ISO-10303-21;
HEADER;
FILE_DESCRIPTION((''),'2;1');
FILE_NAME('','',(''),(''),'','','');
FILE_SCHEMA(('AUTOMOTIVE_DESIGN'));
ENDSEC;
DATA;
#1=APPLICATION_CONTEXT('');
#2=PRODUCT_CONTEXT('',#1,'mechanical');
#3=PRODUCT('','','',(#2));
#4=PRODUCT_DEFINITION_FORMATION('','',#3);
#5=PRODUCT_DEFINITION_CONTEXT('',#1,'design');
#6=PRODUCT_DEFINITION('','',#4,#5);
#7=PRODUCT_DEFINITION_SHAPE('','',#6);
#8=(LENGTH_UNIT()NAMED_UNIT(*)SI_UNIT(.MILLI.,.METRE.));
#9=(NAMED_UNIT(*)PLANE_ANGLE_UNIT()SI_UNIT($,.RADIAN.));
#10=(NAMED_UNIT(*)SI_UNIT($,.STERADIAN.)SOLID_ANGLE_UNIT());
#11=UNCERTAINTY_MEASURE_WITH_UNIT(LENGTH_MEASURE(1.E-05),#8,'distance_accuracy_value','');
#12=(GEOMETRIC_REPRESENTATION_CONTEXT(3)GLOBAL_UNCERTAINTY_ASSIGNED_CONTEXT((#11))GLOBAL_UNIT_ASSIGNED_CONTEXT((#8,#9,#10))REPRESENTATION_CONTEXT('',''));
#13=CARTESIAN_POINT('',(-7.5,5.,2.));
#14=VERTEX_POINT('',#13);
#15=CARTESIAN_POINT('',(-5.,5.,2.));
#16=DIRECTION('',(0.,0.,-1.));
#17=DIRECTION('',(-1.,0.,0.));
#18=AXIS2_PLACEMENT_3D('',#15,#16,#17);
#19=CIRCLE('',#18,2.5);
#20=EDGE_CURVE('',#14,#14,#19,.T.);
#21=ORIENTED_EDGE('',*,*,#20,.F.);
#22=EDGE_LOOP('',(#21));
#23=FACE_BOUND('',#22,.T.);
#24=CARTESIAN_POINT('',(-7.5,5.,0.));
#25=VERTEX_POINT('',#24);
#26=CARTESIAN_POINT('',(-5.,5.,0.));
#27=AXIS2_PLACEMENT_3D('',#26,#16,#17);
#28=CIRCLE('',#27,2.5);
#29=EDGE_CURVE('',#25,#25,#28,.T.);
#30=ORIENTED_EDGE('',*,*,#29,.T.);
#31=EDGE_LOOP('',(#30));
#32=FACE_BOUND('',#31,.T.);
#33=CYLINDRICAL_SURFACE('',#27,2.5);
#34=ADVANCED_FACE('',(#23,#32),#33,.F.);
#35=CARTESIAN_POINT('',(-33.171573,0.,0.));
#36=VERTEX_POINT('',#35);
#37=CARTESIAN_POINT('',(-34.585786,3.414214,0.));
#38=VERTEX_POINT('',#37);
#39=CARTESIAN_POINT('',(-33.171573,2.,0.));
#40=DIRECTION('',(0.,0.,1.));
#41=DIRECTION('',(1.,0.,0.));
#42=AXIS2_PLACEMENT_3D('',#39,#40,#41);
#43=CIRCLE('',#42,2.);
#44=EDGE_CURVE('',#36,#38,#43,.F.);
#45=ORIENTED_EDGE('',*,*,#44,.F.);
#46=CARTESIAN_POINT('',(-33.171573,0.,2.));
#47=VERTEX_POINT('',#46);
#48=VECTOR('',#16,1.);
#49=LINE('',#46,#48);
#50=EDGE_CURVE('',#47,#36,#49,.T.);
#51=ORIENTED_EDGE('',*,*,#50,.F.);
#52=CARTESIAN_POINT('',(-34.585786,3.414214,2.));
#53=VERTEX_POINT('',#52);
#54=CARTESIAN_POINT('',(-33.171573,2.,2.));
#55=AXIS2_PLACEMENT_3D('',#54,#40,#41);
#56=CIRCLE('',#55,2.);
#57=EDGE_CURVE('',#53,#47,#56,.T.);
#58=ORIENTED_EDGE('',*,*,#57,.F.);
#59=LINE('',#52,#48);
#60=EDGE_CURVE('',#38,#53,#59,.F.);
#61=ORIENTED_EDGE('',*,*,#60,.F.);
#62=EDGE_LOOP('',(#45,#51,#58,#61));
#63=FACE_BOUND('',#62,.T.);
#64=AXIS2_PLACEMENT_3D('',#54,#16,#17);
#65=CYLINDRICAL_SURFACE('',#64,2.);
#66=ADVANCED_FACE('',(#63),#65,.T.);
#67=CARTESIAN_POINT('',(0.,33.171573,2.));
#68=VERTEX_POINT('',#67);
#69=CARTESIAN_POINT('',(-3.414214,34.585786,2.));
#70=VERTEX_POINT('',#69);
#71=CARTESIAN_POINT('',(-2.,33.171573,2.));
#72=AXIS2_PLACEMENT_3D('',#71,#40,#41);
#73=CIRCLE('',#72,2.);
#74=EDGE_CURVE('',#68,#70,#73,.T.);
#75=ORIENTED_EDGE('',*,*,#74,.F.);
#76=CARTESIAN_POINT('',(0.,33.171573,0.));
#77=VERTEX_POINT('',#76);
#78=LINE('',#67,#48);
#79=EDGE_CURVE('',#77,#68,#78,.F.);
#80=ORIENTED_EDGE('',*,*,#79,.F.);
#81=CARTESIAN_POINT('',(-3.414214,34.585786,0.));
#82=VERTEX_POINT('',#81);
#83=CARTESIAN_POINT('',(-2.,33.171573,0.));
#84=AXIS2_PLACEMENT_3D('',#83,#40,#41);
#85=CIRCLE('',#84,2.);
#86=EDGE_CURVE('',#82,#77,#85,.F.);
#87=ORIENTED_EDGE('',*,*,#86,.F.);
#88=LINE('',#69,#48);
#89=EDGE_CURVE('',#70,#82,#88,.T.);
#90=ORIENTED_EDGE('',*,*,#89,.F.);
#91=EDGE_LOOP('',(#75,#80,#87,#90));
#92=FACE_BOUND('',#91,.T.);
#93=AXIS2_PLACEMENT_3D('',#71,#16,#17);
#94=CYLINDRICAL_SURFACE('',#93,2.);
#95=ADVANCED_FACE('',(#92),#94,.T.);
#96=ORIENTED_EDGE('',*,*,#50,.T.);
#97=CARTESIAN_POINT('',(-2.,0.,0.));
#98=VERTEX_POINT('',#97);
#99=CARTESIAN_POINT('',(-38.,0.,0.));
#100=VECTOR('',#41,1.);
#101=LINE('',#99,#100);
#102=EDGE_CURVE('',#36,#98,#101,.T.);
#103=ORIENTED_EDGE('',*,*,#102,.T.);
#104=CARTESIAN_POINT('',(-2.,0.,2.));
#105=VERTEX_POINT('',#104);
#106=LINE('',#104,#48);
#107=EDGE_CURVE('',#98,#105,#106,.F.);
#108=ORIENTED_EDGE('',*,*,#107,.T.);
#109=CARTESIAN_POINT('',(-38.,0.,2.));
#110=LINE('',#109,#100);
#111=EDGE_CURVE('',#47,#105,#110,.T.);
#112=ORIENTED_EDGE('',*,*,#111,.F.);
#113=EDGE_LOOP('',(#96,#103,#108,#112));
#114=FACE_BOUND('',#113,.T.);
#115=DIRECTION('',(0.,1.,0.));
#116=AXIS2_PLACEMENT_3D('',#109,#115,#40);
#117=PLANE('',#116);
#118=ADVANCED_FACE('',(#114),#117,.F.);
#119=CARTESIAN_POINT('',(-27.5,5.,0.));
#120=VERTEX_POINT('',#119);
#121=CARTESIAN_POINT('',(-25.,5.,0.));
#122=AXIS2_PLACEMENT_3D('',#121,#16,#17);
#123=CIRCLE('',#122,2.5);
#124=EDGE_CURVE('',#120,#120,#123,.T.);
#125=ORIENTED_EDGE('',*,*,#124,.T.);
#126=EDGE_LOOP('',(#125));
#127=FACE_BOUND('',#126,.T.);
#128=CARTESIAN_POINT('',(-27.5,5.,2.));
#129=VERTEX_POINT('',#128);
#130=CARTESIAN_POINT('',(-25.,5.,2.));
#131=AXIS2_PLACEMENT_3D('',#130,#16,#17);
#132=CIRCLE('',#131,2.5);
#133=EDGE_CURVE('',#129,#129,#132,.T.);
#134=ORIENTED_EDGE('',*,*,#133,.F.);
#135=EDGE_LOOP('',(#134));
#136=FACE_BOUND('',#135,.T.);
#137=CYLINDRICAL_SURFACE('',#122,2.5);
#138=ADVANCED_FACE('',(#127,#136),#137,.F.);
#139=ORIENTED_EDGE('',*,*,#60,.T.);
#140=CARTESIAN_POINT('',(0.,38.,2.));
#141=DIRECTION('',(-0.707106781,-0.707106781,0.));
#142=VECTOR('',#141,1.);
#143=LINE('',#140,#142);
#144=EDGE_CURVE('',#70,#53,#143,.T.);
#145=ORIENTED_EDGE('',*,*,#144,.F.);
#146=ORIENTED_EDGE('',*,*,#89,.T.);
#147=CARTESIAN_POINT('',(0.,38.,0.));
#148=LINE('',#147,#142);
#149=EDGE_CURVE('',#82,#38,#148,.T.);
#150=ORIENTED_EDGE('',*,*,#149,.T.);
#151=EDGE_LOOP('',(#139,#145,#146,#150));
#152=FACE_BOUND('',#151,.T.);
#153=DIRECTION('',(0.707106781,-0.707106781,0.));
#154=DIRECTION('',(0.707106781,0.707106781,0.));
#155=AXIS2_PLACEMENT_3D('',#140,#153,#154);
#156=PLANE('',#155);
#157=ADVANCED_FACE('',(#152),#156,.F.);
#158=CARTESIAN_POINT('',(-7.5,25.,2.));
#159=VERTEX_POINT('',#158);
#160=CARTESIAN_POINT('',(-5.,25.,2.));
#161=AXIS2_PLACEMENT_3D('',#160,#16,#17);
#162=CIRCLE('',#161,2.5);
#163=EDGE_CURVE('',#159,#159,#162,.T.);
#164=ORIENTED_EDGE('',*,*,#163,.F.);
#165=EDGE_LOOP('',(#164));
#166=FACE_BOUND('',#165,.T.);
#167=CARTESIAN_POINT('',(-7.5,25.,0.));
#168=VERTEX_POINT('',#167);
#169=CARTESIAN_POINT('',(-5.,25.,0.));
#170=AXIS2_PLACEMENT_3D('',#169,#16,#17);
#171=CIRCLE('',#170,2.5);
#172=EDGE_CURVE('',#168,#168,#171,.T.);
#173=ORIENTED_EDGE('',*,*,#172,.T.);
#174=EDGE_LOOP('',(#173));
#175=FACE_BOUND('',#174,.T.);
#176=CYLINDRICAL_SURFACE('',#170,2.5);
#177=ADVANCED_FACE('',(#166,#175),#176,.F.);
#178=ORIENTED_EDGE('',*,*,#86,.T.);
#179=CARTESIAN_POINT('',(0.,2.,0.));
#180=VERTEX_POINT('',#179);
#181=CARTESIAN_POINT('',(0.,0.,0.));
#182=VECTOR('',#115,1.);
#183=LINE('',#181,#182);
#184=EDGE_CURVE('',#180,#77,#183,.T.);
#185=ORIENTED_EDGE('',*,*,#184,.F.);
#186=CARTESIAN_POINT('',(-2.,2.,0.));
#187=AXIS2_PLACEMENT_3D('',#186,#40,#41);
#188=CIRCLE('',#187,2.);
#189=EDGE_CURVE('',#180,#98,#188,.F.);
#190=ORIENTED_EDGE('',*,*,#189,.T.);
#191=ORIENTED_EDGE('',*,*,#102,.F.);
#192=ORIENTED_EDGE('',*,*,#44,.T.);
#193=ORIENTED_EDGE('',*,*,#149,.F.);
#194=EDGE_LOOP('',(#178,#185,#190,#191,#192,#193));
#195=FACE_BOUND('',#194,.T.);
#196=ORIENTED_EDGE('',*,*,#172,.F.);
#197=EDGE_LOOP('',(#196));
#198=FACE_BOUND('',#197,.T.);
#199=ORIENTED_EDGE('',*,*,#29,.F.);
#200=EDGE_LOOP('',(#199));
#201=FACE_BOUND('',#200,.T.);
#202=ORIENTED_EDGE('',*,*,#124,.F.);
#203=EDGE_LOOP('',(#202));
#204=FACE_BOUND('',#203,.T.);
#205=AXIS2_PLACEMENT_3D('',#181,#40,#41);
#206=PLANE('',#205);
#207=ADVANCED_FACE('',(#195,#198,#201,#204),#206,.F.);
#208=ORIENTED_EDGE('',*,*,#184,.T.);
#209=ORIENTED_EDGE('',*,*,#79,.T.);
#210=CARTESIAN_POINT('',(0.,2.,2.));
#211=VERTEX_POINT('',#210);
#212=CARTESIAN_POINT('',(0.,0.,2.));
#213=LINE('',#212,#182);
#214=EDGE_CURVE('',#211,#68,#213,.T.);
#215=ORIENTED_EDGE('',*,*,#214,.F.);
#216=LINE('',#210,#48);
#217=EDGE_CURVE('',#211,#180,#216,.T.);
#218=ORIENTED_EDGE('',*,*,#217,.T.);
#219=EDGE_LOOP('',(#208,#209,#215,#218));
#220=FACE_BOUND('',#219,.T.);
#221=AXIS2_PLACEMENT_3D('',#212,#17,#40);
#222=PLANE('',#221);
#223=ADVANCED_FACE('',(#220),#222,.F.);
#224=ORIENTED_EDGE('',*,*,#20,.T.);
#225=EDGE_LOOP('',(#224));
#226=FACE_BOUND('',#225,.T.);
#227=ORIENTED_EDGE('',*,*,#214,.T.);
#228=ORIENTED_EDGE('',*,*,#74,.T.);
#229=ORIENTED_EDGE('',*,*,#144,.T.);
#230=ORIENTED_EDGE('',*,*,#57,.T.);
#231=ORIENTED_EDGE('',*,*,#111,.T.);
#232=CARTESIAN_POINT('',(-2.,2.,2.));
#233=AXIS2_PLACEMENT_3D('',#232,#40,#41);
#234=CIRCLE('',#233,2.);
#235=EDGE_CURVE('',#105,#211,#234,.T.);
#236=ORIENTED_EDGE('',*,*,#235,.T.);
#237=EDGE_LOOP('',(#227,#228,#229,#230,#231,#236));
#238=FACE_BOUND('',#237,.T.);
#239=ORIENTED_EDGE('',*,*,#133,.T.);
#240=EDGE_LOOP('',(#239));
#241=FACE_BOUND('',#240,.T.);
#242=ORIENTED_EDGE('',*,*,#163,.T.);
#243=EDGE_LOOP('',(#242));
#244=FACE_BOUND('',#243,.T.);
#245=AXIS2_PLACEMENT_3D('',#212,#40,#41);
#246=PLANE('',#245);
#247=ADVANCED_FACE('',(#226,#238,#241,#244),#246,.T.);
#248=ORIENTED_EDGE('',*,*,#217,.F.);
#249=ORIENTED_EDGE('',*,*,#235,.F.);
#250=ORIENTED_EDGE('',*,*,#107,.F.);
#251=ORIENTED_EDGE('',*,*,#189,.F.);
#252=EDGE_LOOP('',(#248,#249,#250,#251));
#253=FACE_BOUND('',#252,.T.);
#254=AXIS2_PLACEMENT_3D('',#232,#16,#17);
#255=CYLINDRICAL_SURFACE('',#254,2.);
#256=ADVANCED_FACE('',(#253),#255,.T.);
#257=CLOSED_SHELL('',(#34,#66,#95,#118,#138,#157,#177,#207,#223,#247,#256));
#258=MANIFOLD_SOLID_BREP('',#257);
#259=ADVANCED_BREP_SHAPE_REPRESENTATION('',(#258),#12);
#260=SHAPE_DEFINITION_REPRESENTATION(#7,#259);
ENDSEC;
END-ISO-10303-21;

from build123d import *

# Parameters (mm, degrees)
BOSS_EXTRUDE1_DEPTH   = 2
F_5_0MM_DOWEL_HOLE1_D = 5
FILLET1_R             = 2


with BuildPart() as part:
    # Sketch1 → Boss-Extrude1 (new body)
    with BuildSketch(Plane.XY):
        Polygon((0, 0), (0, 38), (-38, 0), align=None)
    extrude(amount=BOSS_EXTRUDE1_DEPTH)

    # Ø5.0mm Dowel Hole1 (through all)
    with Locations(Plane(origin=(0, 0, 0), x_dir=(-1, 0, 0), z_dir=(0, 0, -1))):
        with Locations((5, 25), (5, 5), (25, 5)):
            Hole(F_5_0MM_DOWEL_HOLE1_D / 2)

    # Fillet1
    fillet1_edges = [part.edges().sort_by_distance(p)[0] for p in [
        (-38, 0, 1),
        (0, 38, 1),
        (0, 0, 1),
    ]]
    fillet(fillet1_edges, radius=FILLET1_R)


solid = part.part
